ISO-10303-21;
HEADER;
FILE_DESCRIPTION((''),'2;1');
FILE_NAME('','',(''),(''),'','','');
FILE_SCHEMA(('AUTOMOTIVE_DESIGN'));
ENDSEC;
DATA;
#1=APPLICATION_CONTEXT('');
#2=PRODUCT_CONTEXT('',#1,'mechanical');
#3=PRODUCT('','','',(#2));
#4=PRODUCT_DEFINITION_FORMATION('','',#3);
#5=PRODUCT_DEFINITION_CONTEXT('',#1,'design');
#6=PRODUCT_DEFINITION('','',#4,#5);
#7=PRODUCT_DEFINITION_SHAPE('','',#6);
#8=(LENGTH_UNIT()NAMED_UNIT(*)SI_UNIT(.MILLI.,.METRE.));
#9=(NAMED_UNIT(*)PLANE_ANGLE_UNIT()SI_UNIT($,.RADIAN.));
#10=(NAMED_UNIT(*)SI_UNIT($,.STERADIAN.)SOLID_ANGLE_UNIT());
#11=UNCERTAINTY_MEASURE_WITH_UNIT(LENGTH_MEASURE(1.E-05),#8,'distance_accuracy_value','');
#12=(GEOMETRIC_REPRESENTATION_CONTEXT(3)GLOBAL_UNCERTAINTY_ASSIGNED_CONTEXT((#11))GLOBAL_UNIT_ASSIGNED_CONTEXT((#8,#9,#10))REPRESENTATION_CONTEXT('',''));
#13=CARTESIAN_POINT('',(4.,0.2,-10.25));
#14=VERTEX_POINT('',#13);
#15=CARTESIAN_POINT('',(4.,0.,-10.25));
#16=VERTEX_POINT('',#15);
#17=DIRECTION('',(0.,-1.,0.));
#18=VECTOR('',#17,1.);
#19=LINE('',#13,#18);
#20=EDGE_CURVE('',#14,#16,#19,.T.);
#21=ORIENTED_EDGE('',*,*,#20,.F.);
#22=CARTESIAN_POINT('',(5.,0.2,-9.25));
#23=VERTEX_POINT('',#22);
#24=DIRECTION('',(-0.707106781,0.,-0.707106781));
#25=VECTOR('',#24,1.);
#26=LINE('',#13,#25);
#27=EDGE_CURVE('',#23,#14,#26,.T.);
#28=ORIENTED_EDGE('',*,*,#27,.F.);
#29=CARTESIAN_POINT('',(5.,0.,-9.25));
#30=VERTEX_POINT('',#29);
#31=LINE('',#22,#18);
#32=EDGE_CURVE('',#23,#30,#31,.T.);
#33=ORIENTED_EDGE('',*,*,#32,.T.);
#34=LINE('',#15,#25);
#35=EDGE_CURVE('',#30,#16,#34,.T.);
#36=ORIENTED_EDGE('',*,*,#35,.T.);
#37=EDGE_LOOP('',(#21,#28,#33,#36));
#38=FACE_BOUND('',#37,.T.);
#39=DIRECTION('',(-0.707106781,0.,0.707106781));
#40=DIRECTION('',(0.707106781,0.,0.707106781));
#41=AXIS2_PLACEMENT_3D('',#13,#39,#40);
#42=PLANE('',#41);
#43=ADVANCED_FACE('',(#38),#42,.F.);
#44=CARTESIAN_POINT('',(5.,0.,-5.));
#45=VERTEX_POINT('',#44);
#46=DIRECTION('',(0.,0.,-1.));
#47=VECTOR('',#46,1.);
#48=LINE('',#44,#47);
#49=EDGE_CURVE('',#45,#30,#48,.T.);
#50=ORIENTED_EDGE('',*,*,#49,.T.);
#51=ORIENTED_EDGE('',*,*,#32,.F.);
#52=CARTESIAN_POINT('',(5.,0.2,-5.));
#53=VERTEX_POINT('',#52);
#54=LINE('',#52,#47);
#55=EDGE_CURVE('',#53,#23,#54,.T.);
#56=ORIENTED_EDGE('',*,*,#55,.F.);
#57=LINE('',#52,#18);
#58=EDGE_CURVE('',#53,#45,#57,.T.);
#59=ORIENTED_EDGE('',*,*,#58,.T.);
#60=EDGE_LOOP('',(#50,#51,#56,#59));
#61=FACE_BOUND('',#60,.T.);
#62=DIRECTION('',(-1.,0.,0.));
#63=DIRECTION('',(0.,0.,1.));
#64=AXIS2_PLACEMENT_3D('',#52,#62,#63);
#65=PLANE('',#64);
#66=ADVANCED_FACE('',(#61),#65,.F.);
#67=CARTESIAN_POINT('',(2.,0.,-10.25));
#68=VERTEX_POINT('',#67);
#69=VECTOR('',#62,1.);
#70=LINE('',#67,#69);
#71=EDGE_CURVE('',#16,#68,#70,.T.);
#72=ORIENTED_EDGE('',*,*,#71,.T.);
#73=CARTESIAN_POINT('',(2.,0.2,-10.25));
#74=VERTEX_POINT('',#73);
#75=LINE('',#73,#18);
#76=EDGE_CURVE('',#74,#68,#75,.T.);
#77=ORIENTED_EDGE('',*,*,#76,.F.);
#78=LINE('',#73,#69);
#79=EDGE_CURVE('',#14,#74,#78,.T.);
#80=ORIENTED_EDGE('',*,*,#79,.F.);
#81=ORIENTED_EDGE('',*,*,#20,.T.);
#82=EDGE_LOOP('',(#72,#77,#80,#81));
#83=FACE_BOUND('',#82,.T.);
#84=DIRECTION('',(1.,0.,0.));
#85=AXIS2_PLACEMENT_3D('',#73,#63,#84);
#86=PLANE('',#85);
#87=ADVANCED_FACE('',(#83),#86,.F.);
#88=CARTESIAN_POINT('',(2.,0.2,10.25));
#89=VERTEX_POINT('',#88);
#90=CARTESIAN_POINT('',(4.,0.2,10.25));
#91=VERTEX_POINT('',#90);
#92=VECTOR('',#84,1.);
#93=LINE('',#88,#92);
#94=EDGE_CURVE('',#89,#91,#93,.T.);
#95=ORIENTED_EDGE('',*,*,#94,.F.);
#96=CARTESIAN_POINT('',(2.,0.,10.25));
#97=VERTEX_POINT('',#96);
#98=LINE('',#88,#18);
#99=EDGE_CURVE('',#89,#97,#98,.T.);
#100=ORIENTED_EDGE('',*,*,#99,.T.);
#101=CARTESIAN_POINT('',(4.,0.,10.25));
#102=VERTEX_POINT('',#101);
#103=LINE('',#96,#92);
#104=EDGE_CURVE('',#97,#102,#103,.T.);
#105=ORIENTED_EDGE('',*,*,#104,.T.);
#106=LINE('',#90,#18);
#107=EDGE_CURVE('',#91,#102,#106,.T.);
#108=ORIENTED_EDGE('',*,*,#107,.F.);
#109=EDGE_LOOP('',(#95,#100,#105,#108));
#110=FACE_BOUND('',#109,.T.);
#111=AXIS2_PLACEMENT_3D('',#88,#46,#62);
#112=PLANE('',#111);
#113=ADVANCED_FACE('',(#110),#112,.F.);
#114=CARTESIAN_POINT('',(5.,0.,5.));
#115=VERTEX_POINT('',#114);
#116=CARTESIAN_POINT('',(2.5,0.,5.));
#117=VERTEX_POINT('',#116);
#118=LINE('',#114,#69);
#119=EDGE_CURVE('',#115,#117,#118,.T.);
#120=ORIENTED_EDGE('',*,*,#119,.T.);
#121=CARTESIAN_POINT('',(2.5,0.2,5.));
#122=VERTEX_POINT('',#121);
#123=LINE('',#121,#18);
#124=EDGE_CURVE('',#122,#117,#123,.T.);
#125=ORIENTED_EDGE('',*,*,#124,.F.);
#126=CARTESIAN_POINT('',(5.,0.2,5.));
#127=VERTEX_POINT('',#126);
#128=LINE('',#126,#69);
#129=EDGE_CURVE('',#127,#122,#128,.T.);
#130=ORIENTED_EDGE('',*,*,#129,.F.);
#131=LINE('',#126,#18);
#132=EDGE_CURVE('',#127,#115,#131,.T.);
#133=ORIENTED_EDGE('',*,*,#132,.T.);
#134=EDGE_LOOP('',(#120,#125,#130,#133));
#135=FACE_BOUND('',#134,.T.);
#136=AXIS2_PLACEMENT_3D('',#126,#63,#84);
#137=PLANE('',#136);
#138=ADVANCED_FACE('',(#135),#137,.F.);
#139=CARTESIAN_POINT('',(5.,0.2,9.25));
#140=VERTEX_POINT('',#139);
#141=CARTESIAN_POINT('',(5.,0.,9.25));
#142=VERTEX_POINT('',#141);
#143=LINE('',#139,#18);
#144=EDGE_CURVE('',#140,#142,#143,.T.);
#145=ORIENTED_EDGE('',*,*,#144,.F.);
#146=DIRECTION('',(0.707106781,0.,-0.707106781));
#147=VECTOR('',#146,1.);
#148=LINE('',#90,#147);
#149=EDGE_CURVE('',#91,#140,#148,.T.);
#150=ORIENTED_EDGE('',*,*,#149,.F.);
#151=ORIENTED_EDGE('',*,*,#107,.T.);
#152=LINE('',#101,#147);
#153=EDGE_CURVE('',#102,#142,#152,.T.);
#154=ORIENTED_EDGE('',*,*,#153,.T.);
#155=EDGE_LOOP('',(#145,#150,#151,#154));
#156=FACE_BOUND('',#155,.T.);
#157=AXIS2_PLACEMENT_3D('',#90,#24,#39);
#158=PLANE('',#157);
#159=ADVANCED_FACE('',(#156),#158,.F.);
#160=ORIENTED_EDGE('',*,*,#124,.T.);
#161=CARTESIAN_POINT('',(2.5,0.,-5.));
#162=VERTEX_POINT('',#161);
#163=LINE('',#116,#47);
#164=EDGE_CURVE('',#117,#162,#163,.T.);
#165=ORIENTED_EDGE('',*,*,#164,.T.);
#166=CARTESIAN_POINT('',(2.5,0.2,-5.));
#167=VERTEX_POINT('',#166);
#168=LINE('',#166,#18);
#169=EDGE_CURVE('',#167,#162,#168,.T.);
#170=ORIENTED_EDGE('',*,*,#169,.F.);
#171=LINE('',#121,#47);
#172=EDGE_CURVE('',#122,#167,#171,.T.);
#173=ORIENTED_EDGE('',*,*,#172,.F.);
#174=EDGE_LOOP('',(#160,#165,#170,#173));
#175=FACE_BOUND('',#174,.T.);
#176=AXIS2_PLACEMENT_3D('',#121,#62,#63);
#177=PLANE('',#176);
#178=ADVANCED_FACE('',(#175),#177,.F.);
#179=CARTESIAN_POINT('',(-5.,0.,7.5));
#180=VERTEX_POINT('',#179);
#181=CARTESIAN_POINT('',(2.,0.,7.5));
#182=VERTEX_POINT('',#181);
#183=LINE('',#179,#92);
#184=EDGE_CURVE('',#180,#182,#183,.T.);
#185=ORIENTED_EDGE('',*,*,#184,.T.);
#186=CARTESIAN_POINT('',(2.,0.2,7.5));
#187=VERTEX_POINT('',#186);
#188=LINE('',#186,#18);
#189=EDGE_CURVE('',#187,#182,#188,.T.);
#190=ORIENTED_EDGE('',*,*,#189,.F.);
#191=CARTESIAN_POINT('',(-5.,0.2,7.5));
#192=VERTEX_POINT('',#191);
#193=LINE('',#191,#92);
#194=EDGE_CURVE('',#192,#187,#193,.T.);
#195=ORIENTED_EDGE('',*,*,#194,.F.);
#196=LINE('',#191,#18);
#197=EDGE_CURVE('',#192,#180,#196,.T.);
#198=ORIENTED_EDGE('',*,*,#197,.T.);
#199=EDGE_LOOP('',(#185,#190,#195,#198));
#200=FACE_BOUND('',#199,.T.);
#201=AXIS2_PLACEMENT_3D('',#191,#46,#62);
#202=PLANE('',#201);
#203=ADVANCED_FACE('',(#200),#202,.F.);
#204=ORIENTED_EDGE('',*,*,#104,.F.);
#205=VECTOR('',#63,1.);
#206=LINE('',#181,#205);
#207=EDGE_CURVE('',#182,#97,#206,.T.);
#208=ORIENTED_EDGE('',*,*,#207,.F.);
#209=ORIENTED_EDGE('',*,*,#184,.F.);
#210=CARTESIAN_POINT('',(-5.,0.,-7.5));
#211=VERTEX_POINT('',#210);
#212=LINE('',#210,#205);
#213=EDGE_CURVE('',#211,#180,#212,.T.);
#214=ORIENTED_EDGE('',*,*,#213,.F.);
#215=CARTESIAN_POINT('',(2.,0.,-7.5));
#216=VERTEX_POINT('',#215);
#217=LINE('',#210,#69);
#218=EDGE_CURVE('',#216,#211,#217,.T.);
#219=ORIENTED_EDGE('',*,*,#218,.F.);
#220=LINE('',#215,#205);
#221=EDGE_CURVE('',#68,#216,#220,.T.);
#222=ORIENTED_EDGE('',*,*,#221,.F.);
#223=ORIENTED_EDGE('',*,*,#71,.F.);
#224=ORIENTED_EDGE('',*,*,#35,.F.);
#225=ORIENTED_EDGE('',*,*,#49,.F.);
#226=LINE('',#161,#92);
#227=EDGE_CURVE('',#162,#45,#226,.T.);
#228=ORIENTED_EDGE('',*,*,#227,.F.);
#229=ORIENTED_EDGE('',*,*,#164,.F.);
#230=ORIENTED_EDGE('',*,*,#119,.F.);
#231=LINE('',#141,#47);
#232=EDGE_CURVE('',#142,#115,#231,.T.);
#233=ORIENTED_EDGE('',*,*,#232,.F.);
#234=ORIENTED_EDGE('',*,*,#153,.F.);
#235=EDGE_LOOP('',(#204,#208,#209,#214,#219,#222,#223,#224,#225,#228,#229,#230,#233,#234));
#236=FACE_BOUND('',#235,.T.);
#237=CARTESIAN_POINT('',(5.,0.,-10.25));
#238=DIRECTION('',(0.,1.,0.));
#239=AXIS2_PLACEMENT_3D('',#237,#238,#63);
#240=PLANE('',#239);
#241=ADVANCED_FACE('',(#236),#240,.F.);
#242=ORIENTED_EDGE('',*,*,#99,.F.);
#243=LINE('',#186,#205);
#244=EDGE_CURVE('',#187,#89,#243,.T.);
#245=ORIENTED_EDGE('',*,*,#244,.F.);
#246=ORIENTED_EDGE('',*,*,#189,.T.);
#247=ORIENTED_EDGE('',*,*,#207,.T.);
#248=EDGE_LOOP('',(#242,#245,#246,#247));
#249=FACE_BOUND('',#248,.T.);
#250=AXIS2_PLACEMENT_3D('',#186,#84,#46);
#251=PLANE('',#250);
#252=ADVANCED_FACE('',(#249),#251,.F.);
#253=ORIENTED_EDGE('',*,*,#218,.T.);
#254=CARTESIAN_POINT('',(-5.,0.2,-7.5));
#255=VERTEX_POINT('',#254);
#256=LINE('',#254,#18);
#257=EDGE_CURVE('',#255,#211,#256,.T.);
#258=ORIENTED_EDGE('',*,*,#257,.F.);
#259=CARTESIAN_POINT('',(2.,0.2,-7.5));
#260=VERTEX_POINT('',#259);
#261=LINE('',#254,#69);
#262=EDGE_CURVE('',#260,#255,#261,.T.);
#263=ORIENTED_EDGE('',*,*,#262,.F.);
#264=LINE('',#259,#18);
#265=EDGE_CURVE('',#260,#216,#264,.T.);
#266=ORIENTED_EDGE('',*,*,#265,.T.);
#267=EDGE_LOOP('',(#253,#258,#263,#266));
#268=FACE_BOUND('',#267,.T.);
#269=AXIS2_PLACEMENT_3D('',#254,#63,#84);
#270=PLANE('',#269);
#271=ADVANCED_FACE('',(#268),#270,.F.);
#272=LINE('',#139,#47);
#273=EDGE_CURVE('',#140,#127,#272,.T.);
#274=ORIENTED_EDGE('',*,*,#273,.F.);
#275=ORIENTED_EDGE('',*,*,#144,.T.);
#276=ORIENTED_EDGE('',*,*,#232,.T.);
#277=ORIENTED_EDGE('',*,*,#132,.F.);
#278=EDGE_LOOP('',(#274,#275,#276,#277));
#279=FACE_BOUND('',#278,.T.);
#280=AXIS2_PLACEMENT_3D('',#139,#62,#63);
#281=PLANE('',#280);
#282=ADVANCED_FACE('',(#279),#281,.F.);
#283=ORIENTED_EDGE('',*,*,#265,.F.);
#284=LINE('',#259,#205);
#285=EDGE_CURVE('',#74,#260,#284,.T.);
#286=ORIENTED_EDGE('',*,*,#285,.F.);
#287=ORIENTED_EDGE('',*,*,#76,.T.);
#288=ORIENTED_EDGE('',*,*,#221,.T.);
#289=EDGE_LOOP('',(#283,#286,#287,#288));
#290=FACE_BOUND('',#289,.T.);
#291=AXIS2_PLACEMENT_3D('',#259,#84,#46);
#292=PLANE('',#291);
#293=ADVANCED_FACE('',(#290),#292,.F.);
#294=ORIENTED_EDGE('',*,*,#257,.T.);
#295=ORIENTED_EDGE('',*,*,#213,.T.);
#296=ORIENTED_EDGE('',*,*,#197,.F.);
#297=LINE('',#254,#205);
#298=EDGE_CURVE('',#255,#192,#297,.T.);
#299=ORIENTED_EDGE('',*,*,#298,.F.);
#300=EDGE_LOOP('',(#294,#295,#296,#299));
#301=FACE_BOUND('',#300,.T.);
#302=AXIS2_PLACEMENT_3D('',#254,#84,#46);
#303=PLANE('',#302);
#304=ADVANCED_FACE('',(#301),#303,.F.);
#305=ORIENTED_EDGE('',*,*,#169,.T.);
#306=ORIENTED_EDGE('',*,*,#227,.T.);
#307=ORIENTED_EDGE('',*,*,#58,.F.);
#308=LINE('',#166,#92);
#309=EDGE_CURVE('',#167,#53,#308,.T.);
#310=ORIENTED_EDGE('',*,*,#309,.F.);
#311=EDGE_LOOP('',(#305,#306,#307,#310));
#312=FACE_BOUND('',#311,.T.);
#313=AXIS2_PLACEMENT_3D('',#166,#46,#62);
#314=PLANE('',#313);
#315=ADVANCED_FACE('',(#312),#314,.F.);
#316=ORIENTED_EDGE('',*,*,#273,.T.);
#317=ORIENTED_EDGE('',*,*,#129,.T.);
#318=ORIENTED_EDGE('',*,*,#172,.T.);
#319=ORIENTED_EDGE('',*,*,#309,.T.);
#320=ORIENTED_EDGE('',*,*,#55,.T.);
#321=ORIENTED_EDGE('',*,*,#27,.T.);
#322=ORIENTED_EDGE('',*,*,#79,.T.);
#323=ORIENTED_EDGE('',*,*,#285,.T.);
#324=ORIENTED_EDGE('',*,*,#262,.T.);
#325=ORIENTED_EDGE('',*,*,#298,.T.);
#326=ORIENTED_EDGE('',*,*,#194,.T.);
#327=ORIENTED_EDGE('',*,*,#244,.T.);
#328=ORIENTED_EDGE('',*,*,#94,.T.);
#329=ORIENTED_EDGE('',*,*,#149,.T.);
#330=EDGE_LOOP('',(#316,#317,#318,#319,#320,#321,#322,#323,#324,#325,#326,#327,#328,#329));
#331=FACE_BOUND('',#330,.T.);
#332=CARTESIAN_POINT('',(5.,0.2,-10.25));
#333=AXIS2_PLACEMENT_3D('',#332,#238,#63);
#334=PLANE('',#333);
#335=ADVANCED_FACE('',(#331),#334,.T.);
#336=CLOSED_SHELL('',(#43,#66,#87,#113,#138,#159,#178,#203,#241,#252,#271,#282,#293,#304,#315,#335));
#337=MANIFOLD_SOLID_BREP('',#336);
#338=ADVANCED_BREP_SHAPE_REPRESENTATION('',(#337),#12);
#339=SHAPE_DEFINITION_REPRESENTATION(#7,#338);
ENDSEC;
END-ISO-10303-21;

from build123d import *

# Parameters (mm, degrees)
EXTRUDE_1_DEPTH = 0.2


with BuildPart() as part:
    # Эскиз1 → Бобышка-Вытянуть1 (new body)
    with BuildSketch(Plane(origin=(0, 0, 0), x_dir=(1, 0, 0), z_dir=(0, 1, 0))):
        Polygon((5, -9.25), (5, -5), (2.5, -5), (2.5, 5), (5, 5), (5, 9.25), (4, 10.25), (2, 10.25), (2, 7.5), (-5, 7.5), (-5, -7.5), (2, -7.5), (2, -10.25), (4, -10.25), align=None)
    extrude(amount=EXTRUDE_1_DEPTH)


solid = part.part
